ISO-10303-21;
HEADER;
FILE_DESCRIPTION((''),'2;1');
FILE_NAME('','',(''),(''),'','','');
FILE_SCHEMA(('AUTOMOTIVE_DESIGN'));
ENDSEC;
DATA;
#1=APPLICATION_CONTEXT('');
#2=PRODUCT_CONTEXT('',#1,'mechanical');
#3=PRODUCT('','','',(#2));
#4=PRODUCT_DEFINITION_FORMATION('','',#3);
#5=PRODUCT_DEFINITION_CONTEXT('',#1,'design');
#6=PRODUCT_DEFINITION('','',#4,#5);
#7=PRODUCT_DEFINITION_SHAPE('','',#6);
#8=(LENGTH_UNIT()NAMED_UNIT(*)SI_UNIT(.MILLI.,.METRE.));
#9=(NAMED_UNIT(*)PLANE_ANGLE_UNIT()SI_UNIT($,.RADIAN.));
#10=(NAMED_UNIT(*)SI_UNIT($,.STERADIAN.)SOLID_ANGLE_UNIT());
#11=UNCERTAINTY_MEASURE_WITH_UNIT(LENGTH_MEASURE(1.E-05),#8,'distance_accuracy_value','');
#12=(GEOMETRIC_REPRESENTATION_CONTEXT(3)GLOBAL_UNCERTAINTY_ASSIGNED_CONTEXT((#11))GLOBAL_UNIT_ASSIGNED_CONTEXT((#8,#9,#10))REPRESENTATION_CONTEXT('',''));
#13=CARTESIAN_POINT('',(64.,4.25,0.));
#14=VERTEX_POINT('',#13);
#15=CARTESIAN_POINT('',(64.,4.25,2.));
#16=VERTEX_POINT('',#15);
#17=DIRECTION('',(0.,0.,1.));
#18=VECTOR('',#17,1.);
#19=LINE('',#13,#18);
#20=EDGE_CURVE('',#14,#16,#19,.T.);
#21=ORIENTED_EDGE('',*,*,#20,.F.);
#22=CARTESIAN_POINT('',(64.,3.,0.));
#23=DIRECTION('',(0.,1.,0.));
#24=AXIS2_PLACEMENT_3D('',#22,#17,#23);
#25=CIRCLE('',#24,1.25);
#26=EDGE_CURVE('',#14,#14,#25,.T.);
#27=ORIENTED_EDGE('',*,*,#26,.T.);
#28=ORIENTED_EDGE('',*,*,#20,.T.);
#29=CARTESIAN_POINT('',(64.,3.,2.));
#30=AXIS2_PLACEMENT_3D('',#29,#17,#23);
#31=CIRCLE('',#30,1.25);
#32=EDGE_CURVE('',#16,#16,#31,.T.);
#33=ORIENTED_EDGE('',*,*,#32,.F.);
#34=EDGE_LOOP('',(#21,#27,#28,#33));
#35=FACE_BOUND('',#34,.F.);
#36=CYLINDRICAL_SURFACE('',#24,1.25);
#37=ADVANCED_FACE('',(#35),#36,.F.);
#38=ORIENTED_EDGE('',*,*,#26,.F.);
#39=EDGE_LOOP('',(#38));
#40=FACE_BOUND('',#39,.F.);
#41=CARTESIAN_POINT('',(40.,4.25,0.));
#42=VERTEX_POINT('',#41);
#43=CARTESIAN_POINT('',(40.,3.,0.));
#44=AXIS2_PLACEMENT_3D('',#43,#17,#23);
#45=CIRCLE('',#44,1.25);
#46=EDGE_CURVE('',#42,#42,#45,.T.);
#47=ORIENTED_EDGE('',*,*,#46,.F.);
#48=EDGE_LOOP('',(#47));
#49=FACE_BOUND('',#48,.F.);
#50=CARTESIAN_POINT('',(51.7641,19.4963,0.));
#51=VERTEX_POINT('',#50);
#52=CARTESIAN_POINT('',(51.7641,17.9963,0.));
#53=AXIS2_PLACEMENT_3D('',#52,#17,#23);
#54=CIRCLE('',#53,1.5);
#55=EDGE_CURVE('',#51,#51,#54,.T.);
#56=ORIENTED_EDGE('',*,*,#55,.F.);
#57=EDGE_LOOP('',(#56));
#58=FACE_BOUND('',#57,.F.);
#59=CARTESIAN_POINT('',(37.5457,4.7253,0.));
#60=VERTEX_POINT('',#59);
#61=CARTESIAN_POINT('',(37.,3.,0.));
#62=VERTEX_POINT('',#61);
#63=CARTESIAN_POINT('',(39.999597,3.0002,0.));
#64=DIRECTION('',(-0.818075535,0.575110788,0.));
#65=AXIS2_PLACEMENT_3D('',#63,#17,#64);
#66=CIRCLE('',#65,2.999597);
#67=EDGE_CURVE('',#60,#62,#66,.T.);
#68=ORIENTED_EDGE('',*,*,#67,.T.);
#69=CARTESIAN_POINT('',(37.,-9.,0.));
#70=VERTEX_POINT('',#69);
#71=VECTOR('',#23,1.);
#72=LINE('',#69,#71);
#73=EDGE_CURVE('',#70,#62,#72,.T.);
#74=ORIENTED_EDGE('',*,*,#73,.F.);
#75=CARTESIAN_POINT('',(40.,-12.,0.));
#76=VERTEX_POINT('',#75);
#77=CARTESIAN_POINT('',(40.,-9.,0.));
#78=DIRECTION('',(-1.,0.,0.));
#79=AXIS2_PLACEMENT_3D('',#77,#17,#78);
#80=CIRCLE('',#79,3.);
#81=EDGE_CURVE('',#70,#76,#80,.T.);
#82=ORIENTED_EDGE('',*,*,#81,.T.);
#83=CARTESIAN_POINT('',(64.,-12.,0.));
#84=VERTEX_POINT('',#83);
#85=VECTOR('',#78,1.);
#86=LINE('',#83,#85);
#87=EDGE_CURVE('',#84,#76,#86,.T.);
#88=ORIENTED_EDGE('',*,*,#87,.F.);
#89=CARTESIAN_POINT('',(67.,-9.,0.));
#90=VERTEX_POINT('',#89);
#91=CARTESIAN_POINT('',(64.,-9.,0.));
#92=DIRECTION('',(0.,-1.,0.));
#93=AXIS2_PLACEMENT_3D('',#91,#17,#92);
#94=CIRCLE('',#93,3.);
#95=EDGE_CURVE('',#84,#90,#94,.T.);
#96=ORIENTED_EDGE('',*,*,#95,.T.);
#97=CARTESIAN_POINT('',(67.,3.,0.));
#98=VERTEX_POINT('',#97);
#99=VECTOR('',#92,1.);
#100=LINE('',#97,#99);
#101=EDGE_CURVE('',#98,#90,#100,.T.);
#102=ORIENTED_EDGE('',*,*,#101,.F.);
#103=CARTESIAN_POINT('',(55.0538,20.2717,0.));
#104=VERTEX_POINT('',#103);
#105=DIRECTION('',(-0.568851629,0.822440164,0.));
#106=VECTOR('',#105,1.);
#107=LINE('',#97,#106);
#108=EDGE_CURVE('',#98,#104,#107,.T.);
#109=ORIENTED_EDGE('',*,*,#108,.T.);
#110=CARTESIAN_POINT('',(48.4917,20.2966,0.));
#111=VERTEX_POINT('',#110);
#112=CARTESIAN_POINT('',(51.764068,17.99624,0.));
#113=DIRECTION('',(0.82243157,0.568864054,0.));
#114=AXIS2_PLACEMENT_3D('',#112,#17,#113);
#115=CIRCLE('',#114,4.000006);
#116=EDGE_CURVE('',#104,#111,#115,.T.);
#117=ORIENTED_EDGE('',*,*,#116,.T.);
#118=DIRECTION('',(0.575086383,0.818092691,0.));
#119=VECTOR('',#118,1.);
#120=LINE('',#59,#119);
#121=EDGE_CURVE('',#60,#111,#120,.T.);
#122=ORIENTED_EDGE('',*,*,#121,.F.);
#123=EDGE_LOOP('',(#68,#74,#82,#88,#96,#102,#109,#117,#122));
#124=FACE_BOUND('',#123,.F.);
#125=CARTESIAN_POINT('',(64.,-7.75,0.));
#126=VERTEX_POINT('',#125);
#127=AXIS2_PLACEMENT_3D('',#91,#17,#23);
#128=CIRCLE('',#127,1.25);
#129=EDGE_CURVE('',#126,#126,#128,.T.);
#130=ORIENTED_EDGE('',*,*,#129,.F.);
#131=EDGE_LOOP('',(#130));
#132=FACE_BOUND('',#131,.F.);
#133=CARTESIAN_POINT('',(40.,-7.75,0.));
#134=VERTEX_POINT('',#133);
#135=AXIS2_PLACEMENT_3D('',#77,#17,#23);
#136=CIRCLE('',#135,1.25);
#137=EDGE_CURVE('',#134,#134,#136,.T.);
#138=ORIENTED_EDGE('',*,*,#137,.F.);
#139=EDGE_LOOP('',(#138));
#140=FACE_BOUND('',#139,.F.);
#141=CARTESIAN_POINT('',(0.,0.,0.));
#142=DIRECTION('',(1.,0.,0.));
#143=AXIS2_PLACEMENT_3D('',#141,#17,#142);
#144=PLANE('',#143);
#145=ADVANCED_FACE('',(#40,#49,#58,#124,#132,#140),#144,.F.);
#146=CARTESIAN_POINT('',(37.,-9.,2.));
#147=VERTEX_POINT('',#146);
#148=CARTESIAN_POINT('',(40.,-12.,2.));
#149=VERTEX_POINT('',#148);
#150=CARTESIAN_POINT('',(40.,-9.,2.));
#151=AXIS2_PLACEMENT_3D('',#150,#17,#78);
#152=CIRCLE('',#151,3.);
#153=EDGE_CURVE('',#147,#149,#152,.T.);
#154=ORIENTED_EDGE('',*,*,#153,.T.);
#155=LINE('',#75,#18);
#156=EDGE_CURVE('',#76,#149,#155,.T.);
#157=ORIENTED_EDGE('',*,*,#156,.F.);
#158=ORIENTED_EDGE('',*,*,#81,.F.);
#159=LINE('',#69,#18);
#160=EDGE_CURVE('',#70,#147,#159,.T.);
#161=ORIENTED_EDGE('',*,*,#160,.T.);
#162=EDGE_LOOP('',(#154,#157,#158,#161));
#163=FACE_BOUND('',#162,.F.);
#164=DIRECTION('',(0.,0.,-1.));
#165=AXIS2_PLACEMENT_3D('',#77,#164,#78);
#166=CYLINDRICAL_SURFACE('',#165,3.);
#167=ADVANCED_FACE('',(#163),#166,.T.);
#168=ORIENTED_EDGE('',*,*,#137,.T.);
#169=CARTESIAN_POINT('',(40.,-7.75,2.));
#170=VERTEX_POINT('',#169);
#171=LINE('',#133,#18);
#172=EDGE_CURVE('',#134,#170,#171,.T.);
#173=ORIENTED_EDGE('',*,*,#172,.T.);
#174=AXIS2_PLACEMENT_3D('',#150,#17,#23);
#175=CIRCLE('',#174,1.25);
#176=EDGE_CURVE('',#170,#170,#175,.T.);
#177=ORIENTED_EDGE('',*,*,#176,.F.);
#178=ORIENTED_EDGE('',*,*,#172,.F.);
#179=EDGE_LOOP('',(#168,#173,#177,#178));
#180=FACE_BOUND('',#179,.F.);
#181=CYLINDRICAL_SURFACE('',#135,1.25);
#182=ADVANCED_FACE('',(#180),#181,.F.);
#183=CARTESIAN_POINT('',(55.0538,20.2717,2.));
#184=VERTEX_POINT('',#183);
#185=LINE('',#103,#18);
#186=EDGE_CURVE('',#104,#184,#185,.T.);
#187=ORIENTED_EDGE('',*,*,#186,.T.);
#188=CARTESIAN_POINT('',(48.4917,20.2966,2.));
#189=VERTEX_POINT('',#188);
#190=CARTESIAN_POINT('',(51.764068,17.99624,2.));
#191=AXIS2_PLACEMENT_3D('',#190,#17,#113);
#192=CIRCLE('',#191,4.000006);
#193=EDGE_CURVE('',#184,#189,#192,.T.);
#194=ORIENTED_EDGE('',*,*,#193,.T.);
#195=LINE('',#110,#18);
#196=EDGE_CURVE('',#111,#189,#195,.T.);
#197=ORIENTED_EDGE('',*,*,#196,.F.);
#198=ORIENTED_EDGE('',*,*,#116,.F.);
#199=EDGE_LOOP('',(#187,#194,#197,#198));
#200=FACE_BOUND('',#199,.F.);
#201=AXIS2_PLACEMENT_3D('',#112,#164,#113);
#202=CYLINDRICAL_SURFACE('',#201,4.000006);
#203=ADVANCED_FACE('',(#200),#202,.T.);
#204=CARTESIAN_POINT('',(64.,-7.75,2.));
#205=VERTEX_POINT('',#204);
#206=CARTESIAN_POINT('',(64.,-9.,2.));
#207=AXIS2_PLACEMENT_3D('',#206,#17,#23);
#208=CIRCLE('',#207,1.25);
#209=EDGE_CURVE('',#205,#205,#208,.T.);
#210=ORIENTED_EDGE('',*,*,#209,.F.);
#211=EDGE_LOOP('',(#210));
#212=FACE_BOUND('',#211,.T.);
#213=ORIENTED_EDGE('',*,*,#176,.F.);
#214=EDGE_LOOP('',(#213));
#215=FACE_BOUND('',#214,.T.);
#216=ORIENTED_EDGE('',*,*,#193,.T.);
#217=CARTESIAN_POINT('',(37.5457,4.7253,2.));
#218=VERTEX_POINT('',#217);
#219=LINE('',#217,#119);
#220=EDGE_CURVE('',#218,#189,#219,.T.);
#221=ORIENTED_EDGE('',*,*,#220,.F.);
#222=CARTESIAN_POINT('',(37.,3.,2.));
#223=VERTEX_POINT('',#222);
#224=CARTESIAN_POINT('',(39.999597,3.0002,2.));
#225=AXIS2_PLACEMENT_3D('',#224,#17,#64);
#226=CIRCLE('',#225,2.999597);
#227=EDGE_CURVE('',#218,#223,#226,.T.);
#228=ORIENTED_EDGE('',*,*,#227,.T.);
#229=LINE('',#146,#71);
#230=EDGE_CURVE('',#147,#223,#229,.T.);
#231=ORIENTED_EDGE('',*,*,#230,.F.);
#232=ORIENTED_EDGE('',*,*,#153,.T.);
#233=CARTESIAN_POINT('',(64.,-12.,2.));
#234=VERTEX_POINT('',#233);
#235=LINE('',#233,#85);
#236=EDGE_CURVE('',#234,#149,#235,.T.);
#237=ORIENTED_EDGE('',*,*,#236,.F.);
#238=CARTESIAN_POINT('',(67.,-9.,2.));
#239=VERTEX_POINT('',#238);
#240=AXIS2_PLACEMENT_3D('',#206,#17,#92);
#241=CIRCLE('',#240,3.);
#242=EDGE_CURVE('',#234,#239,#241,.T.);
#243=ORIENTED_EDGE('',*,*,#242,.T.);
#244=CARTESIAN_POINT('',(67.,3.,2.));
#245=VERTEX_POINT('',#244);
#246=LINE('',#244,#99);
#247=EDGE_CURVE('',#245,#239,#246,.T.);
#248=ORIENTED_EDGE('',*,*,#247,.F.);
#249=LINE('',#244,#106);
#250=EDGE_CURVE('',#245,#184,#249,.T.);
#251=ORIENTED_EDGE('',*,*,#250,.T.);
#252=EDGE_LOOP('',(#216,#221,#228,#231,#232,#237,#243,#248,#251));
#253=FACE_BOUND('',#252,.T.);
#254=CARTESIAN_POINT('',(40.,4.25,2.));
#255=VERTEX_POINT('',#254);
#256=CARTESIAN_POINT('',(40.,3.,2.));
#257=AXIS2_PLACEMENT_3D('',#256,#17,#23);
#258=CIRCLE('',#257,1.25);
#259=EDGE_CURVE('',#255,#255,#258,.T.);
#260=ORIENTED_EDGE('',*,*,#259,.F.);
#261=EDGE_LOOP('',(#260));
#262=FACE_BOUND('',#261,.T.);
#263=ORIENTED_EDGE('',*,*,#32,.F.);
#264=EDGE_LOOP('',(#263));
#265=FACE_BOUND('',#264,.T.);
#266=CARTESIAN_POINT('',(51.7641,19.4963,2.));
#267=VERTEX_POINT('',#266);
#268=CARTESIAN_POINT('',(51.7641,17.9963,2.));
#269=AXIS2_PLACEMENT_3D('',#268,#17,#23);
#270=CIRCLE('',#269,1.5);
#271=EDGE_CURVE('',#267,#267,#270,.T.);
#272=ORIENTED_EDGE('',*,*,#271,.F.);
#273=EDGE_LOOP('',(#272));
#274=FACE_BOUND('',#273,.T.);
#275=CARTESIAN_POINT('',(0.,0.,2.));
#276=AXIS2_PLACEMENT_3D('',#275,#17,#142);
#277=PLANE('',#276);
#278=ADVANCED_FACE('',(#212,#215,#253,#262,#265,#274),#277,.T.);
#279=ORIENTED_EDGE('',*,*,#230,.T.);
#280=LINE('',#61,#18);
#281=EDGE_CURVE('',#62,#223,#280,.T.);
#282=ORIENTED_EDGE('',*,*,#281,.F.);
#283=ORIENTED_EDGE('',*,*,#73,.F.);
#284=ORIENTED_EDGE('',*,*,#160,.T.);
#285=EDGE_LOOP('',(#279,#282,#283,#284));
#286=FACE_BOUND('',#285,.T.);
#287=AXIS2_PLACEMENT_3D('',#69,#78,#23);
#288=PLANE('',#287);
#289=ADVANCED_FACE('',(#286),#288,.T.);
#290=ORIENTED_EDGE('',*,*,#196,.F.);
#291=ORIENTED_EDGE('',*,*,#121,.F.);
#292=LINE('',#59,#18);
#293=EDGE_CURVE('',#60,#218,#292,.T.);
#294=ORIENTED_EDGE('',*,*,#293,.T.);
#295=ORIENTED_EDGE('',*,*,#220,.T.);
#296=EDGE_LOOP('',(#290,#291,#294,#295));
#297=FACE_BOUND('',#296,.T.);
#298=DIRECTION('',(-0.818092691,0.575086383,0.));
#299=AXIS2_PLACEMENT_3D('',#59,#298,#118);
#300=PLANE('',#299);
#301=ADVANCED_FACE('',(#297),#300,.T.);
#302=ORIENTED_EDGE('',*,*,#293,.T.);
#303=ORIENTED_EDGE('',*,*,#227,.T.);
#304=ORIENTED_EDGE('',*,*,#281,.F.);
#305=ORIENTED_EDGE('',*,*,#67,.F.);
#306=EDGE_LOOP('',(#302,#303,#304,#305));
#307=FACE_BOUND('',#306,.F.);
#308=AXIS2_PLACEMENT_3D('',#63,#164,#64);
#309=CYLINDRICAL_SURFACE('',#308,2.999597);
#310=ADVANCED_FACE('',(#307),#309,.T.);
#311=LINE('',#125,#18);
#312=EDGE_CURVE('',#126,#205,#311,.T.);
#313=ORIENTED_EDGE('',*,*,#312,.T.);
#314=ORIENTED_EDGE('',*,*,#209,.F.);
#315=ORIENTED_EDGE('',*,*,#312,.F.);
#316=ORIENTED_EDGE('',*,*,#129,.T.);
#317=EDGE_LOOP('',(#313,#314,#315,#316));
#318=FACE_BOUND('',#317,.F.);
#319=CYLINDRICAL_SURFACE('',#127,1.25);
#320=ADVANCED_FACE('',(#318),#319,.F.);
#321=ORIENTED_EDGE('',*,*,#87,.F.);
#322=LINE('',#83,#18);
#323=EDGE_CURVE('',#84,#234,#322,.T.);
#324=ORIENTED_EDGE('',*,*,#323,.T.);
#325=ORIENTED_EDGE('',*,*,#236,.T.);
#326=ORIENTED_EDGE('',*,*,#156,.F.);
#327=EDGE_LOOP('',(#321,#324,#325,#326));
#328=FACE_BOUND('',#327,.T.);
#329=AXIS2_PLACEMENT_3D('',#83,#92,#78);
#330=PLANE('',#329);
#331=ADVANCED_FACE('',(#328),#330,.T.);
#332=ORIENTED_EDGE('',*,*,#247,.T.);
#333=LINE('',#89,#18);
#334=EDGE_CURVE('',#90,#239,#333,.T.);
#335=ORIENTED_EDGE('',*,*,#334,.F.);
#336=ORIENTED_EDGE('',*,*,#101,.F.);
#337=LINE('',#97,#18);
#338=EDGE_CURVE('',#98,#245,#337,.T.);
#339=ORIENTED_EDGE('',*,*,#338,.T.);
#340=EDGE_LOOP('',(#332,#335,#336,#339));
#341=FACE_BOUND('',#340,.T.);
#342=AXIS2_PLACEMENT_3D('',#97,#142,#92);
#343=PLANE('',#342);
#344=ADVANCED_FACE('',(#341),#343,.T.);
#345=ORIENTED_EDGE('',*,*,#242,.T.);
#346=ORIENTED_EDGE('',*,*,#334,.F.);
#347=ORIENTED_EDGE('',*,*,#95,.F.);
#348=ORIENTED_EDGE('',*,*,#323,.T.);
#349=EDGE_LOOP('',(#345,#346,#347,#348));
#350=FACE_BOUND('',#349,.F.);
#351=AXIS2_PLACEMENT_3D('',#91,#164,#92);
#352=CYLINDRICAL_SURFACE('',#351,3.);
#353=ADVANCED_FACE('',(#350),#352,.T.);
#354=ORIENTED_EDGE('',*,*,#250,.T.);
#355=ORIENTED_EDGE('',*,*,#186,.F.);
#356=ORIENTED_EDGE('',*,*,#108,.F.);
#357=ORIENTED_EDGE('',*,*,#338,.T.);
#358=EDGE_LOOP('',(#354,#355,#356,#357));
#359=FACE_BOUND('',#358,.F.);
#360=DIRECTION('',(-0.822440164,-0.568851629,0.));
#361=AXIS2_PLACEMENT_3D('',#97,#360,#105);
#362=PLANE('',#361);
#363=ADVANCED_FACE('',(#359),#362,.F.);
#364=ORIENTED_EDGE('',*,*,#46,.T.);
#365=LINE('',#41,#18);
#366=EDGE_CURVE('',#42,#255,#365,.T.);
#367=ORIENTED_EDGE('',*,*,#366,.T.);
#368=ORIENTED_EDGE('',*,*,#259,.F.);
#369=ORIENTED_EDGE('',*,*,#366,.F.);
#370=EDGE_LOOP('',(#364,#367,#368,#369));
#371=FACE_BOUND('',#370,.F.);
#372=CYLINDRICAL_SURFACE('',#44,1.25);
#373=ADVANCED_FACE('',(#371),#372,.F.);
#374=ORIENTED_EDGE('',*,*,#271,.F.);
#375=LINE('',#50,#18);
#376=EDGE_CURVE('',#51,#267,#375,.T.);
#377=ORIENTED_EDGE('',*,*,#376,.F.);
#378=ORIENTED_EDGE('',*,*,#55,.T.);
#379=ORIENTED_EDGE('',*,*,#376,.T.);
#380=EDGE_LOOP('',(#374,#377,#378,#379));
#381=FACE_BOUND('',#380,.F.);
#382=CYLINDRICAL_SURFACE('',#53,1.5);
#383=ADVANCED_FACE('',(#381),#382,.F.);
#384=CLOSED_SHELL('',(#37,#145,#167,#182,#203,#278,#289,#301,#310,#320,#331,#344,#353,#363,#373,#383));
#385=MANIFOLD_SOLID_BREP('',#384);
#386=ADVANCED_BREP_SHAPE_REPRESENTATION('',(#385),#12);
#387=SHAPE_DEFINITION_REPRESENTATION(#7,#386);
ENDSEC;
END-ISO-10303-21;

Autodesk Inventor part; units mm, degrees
ref_plane "YZ Plane" through (0, 0, 0) normal (1, 0, 0) x (0, 1, 0)
ref_plane "XZ Plane" through (0, 0, 0) normal (0, 1, 0) x (-1, 0, 0)
ref_plane "XY Plane" through (0, 0, 0) normal (0, 0, 1) x (1, 0, 0)
sketch "スケッチ1" plane through (0, 0, 0) normal (0, 0, 1) x (1, 0, 0)
  line L0 (51.397, 0) -> (6, 70) construction
  line L1 (51.397, 0) -> (65, -20.9752)
  line L2 (65, -20.9752) -> (25, -44.6993)
  line L3 (0, 0) -> (0, 56.1205) construction
  line L4 (0, 0) -> (51.397, 0) construction
  arc A0 (17.9848, 26.067) -> (17.1698, 21.0636) centre (51.7641, 17.9963) ccw construction
  arc A1 (10.2038, 27.926) -> (9.201, 21.7701) centre (51.7641, 17.9963) ccw construction
  arc A2 (9.201, 21.7701) -> (17.1698, 21.0636) centre (13.1854, 21.4169) ccw construction
  line L5 (13.1854, 21.4169) -> (51.7641, 17.9963) construction
  line L6 (51.7641, 17.9963) -> (13.5604, 24.3596)
  arc A3 (13.5604, 24.3596) -> (13.1854, 21.4169) centre (51.7641, 17.9963) ccw construction
  line L7 (13.1854, 21.4169) -> (66.7927, -23.5971) construction
  line L8 (66.7927, -23.5971) -> (61.9625, 22.6577) construction
  line L9 (13.5604, 24.3596) -> (25, -44.6993)
  line L10 (13.5604, 24.3596) -> (6, 70) construction
  line L11 (13.5604, 24.3596) -> (51.397, 0) construction
  arc A4 (51.397, -25) -> (61.9625, 22.6577) centre (51.397, 0) ccw
  line L12 (25, -44.6993) -> (65, -44.6993) construction
  line L13 (65, -44.6993) -> (65, -20.9752) construction
  line L14 (45, -44.6993) -> (45, -284.6993) construction
  line L15 (51.397, 0) -> (51.9579, -2.4363)
  line L16 (51.397, 0) -> (50.5419, -2.3492) construction
  arc A5 (50.5419, -2.3492) -> (53.1648, 1.7678) centre (51.397, 0) ccw construction
  line L17 (51.397, 0) -> (51.3697, -2.4999) construction
  line L18 (51.397, 0) -> (52.2006, -2.3673) construction
  line L19 (51.397, 0) -> (52.9404, -1.9667) construction
  line L20 (51.397, 0) -> (53.5055, -1.3432) construction
  line L21 (51.397, 0) -> (53.8317, -0.5677) construction
  line L22 (51.397, 0) -> (53.8821, 0.2722) construction
  line L23 (51.397, 0) -> (53.6511, 1.0812) construction
  line L24 (51.397, 0) -> (53.1648, 1.7678) construction
  line L25 (51.7641, 17.9963) -> (51.9579, -2.4363)
  line L26 (50.5419, -2.3492) -> (51.7641, 17.9963) construction
  line L27 (51.7641, 17.9963) -> (53.1648, 1.7678) construction
  line L28 (51.397, -8) -> (51.397, -25) construction
  line L29 (54.051, -7.5469) -> (59.6907, -23.5842) construction
  line L30 (56.4044, -6.2391) -> (67.0451, -19.4971) construction
  line L31 (58.1906, -4.2245) -> (72.6271, -13.2017) construction
  line L32 (59.2074, -1.7315) -> (75.8044, -5.411) construction
  line L33 (59.3395, 0.9576) -> (76.2172, 2.9926) construction
  line L34 (58.572, 3.5383) -> (73.8188, 11.0572) construction
  line L35 (56.9918, 5.7182) -> (68.8808, 17.8694) construction
  line L36 (54.7779, 7.2505) -> (61.9625, 22.6577) construction
  arc A6 (51.397, -8) -> (54.7779, 7.2505) centre (51.397, 0) ccw construction
  line L37 (14.0943, 26.9965) -> (51.7641, 17.9963) construction
  arc A7 (14.0943, 26.9965) -> (13.5604, 24.3596) centre (51.7641, 17.9963) ccw construction
  arc A8 (17.9848, 26.067) -> (10.2038, 27.926) centre (14.0943, 26.9965) ccw construction
  line L38 (51.3697, -2.4999) -> (51.7641, 17.9963) construction
  line L39 (51.7641, 17.9963) -> (13.7589, 25.4541) construction
  line L40 (13.4871, 23.9026) -> (51.7641, 17.9963) construction
  line L41 (52.2006, -2.3673) -> (51.7641, 17.9963) construction
  line L42 (14.0943, 26.9965) -> (8.4208, -42.7732) construction
  line L43 (8.4208, -42.7732) -> (51.397, -25) construction
  line L44 (13.7589, 25.4541) -> (18.1084, -44.4107) construction
  line L45 (18.1084, -44.4107) -> (59.6907, -23.5842) construction
  line L46 (25, -44.6993) -> (45, -284.6993)
  line L47 (65, -20.9752) -> (45, -284.6993)
  line L48 (18.1084, -44.4107) -> (21.0305, -285.2248) construction
  line L49 (21.0305, -285.2248) -> (59.6907, -23.5842) construction
  line L50 (51.397, -25) -> (-6.0328, -283.171) construction
  line L51 (-6.0328, -283.171) -> (8.4208, -42.7732) construction
  line L52 (51.7641, 17.9963) -> (13.2929, 22.4663) construction
  line L53 (51.7641, 17.9963) -> (13.173, 21.2739) construction
  line L54 (51.7641, 17.9963) -> (13.1124, 20.4583) construction
  line L55 (51.7641, 17.9963) -> (13.0939, 20.1483) construction
  line L56 (51.7641, 17.9963) -> (13.1119, 20.4513) construction
  line L57 (51.7641, 17.9963) -> (52.9404, -1.9667) construction
  line L58 (51.7641, 17.9963) -> (53.5055, -1.3432) construction
  line L59 (51.7641, 17.9963) -> (53.8317, -0.5677) construction
  line L60 (51.7641, 17.9963) -> (53.8821, 0.2722) construction
  line L61 (51.7641, 17.9963) -> (53.6511, 1.0812) construction
  line L62 (13.4871, 23.9026) -> (27.8947, -44.5986) construction
  line L63 (27.8947, -44.5986) -> (67.0451, -19.4971) construction
  line L64 (72.6271, -13.2017) -> (37.1961, -43.3261) construction
  line L65 (37.1961, -43.3261) -> (13.2929, 22.4663) construction
  line L66 (13.173, 21.2739) -> (45.5916, -40.7666) construction
  line L67 (45.5916, -40.7666) -> (75.8044, -5.411) construction
  line L68 (76.2172, 2.9926) -> (52.8124, -37.1951) construction
  line L69 (52.8124, -37.1951) -> (13.1124, 20.4583) construction
  line L70 (13.0939, 20.1483) -> (58.7276, -32.9324) construction
  line L71 (58.7276, -32.9324) -> (73.8188, 11.0572) construction
  line L72 (68.8808, 17.8694) -> (63.3391, -28.3055) construction
  line L73 (63.3391, -28.3055) -> (13.1119, 20.4513) construction
  line L74 (27.8947, -44.5986) -> (56.2327, -283.7575) construction
  line L75 (61.9625, 22.6577) -> (293.1766, -105.7574) construction
  line L76 (293.1766, -105.7574) -> (66.7927, -23.5971) construction
  line L77 (68.8808, 17.8694) -> (265.8829, -158.5975) construction
  line L78 (265.8829, -158.5975) -> (63.3391, -28.3055) construction
  line L79 (58.7276, -32.9324) -> (229.4847, -202.7618) construction
  line L80 (229.4847, -202.7618) -> (73.8188, 11.0572) construction
  line L81 (76.2172, 2.9926) -> (187.0489, -237.1465) construction
  line L82 (187.0489, -237.1465) -> (52.8124, -37.1951) construction
  line L83 (45.5916, -40.7666) -> (141.9163, -261.4962) construction
  line L84 (141.9163, -261.4962) -> (75.8044, -5.411) construction
  line L85 (72.6271, -13.2017) -> (97.3466, -276.5254) construction
  line L86 (97.3466, -276.5254) -> (37.1961, -43.3261) construction
  line L87 (56.2327, -283.7575) -> (67.0451, -19.4971) construction
  spline S0 degree 4 poles (-6.0328, -283.171) (-1.0018, -286.6814) (51.7016, -283.757) (37.9506, -286.9352) (110.0397, -275.596) (142.8766, -261.8211) (210.6869, -227.817) (251.1, -183.7947) (281.212, -139.9837) (293.1766, -105.7574) knots 0 0 0 0 0 0.215081 0.31035 0.415619 0.538699 0.666654 1 1 1 1 1 construction
  spline S1 degree 4 poles (8.4208, -42.7732) (14.2837, -44.205) (22.8164, -45.2788) (33.6178, -44.6875) (45.3572, -41.166) (55.0356, -36.4401) (61.2363, -31.2275) (64.7888, -26.7723) (66.7927, -23.5971) knots 0 0 0 0 0 0.340062 0.471566 0.598373 0.71961 1 1 1 1 1
  point P0 (51.397, 0)
  point P1 (51.397, 0)
  point P2 (51.397, 0)
  point P3 (51.397, 0)
  point P4 (51.397, 0)
  point P5 (51.397, 0)
  point P6 (51.397, 0)
  point P7 (51.397, 0)
  dimension "d5" = 70
  dimension "d53" = 45
  dimension "d66" = 25
  dimension "d67" = 40
  dimension "d72" = 240
  dimension "d74" = 20
  dimension "d76" = 2.5
  dimension "d80" = 155
  dimension "d82" = 18
  dimension "d85" = 155
  dimension "d87" = 20
  dimension "d88" = 70
  dimension "d89" = 100
  dimension "d90" = 100
  dimension "d91" = 100
  dimension "d92" = 4
  dimension "d93" = 100
  dimension "d94" = 100
  dimension "d95" = 90
  dimension "d96" = 100
  dimension "d97" = 100
  dimension "d98" = 100
  dimension "d99" = 100
  dimension "d100" = 100
  dimension "d101" = 8
  dimension "d102" = 6
  dimension "d103" = 45
sketch "スケッチ2" plane through (0, 0, 0) normal (0, 0, 1) x (1, 0, 0)
  arc A0 (55.0538, 20.2717) -> (48.4917, 20.2966) centre (51.7641, 17.9963) ccw
  line L0 (40, 3) -> (64, 3) construction
  line L1 (64, 3) -> (64, -9) construction
  line L2 (64, -9) -> (40, -9) construction
  line L3 (40, -9) -> (40, 3) construction
  line L4 (36, 10.1673) -> (36, -48.9437) construction
  line L5 (67, 3) -> (67, -9)
  line L6 (64, -12) -> (40, -12)
  line L7 (37, -9) -> (37, 3)
  arc A1 (37, -9) -> (40, -12) centre (40, -9) ccw
  arc A2 (37.5457, 4.7253) -> (37, 3) centre (40, 3) ccw
  arc A3 (64, -12) -> (67, -9) centre (64, -9) ccw
  line L8 (0, 0) -> (0, -59.5537) construction
  line L9 (10.6628, -3) -> (66.9205, -3) construction
  line L10 (67, 3) -> (55.0538, 20.2717)
  line L11 (37.5457, 4.7253) -> (48.4917, 20.2966)
  dimension "d16" = 24
  dimension "d17" = 4
  dimension "d18" = 12
  dimension "d19" = 3
  dimension "d20" = 72
  dimension "d21" = 3
  dimension "d23" = 4
extrude "押し出し1" add sketch "スケッチ2" along normal blind 2
hole "穴1" at (51.7641, 17.9963, 0) direction (0, 0, 1) diameter 3 end through all
hole "穴2" at (64, 3, 0) at (40, 3, 0) at (40, -9, 0) at (64, -9, 0) direction (0, 0, 1) diameter 2.5 end through all
equation "\"input_link_length\" = 25"
equation "\"input_link_formed_angle\" = 20deg"
equation "\"support_formed_angle\" = 100deg"
equation "\"input_slider_radius\" = 2.5"
equation "\"driver_rotation_range\" = 155deg"
equation "\"virtual_link_length\" = 45"
equation "\"virtual_mass_point_x\" = 6"
equation "\"support_axis_driver_dist\" = 18"
properties part number "COXA_YAW_SERVO_BASE"
